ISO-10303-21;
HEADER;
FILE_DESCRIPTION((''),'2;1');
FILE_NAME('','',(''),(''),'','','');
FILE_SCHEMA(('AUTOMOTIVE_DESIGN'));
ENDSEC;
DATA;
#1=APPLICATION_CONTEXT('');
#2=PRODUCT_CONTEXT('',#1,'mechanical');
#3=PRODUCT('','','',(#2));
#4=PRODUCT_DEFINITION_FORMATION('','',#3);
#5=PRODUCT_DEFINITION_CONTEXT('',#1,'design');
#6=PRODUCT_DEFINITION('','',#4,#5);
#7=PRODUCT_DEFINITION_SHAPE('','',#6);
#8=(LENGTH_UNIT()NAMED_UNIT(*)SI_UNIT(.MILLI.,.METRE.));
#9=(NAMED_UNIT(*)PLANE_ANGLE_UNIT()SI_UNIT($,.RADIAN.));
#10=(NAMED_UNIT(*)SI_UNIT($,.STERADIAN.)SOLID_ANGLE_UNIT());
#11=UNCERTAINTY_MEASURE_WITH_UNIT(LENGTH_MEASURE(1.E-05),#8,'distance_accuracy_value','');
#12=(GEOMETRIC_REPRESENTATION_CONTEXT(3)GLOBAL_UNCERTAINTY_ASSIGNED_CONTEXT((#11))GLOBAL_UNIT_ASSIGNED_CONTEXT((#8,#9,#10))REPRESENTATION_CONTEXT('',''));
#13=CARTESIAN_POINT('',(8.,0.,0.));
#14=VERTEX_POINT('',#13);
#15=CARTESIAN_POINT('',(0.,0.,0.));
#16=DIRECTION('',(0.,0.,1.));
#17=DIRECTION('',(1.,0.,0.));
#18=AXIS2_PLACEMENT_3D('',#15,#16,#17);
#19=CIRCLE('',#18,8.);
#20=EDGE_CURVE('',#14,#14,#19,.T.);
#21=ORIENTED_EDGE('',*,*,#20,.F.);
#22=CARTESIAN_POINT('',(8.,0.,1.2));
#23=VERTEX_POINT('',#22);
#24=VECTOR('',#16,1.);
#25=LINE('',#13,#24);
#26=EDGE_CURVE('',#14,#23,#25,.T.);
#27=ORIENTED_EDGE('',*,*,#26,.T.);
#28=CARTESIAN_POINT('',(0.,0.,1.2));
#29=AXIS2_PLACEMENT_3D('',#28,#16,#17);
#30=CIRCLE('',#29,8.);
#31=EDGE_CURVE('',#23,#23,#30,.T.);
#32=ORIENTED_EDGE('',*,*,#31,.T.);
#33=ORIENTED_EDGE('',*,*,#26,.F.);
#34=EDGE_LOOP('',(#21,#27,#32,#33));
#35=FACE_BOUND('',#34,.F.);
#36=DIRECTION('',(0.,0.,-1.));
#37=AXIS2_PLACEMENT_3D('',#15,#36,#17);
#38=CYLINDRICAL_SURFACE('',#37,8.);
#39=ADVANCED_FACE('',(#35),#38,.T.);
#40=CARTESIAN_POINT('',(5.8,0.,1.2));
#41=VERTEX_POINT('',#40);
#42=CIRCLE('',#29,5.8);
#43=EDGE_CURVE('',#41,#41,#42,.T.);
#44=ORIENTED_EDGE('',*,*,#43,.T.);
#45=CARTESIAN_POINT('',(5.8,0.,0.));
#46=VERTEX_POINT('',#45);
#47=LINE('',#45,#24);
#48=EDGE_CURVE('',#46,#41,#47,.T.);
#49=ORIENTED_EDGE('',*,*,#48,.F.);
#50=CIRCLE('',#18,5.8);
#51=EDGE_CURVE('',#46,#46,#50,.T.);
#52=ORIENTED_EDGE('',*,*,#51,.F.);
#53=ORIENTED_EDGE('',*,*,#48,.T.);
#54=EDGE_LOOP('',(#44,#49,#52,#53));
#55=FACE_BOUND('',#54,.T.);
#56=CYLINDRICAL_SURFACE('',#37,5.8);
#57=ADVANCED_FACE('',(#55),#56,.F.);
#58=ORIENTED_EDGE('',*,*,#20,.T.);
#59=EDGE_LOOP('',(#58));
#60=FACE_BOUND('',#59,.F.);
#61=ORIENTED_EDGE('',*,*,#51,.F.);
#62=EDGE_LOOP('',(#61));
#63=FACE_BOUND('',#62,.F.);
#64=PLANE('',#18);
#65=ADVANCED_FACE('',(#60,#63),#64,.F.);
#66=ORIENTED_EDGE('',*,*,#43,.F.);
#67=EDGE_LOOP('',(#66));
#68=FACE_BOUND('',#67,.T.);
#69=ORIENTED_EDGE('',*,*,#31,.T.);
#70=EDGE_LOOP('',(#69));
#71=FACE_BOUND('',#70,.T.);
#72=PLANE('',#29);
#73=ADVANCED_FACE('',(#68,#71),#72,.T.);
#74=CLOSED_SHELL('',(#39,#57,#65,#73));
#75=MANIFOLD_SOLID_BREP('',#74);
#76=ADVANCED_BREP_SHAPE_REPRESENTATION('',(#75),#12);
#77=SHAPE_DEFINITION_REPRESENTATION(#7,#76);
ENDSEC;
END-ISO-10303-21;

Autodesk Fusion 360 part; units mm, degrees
sketch "Sketch1" plane through (0, 0, 0) normal (0, 0, 1) x (1, 0, 0)
  circle A0 centre (0, 0) radius 5.8
  circle A1 centre (0, 0) radius 8
  dimension "d1" = 11.6
  dimension "d2" = 16
extrude "Extrude1" add sketch "Sketch1" along normal blind 1.2
